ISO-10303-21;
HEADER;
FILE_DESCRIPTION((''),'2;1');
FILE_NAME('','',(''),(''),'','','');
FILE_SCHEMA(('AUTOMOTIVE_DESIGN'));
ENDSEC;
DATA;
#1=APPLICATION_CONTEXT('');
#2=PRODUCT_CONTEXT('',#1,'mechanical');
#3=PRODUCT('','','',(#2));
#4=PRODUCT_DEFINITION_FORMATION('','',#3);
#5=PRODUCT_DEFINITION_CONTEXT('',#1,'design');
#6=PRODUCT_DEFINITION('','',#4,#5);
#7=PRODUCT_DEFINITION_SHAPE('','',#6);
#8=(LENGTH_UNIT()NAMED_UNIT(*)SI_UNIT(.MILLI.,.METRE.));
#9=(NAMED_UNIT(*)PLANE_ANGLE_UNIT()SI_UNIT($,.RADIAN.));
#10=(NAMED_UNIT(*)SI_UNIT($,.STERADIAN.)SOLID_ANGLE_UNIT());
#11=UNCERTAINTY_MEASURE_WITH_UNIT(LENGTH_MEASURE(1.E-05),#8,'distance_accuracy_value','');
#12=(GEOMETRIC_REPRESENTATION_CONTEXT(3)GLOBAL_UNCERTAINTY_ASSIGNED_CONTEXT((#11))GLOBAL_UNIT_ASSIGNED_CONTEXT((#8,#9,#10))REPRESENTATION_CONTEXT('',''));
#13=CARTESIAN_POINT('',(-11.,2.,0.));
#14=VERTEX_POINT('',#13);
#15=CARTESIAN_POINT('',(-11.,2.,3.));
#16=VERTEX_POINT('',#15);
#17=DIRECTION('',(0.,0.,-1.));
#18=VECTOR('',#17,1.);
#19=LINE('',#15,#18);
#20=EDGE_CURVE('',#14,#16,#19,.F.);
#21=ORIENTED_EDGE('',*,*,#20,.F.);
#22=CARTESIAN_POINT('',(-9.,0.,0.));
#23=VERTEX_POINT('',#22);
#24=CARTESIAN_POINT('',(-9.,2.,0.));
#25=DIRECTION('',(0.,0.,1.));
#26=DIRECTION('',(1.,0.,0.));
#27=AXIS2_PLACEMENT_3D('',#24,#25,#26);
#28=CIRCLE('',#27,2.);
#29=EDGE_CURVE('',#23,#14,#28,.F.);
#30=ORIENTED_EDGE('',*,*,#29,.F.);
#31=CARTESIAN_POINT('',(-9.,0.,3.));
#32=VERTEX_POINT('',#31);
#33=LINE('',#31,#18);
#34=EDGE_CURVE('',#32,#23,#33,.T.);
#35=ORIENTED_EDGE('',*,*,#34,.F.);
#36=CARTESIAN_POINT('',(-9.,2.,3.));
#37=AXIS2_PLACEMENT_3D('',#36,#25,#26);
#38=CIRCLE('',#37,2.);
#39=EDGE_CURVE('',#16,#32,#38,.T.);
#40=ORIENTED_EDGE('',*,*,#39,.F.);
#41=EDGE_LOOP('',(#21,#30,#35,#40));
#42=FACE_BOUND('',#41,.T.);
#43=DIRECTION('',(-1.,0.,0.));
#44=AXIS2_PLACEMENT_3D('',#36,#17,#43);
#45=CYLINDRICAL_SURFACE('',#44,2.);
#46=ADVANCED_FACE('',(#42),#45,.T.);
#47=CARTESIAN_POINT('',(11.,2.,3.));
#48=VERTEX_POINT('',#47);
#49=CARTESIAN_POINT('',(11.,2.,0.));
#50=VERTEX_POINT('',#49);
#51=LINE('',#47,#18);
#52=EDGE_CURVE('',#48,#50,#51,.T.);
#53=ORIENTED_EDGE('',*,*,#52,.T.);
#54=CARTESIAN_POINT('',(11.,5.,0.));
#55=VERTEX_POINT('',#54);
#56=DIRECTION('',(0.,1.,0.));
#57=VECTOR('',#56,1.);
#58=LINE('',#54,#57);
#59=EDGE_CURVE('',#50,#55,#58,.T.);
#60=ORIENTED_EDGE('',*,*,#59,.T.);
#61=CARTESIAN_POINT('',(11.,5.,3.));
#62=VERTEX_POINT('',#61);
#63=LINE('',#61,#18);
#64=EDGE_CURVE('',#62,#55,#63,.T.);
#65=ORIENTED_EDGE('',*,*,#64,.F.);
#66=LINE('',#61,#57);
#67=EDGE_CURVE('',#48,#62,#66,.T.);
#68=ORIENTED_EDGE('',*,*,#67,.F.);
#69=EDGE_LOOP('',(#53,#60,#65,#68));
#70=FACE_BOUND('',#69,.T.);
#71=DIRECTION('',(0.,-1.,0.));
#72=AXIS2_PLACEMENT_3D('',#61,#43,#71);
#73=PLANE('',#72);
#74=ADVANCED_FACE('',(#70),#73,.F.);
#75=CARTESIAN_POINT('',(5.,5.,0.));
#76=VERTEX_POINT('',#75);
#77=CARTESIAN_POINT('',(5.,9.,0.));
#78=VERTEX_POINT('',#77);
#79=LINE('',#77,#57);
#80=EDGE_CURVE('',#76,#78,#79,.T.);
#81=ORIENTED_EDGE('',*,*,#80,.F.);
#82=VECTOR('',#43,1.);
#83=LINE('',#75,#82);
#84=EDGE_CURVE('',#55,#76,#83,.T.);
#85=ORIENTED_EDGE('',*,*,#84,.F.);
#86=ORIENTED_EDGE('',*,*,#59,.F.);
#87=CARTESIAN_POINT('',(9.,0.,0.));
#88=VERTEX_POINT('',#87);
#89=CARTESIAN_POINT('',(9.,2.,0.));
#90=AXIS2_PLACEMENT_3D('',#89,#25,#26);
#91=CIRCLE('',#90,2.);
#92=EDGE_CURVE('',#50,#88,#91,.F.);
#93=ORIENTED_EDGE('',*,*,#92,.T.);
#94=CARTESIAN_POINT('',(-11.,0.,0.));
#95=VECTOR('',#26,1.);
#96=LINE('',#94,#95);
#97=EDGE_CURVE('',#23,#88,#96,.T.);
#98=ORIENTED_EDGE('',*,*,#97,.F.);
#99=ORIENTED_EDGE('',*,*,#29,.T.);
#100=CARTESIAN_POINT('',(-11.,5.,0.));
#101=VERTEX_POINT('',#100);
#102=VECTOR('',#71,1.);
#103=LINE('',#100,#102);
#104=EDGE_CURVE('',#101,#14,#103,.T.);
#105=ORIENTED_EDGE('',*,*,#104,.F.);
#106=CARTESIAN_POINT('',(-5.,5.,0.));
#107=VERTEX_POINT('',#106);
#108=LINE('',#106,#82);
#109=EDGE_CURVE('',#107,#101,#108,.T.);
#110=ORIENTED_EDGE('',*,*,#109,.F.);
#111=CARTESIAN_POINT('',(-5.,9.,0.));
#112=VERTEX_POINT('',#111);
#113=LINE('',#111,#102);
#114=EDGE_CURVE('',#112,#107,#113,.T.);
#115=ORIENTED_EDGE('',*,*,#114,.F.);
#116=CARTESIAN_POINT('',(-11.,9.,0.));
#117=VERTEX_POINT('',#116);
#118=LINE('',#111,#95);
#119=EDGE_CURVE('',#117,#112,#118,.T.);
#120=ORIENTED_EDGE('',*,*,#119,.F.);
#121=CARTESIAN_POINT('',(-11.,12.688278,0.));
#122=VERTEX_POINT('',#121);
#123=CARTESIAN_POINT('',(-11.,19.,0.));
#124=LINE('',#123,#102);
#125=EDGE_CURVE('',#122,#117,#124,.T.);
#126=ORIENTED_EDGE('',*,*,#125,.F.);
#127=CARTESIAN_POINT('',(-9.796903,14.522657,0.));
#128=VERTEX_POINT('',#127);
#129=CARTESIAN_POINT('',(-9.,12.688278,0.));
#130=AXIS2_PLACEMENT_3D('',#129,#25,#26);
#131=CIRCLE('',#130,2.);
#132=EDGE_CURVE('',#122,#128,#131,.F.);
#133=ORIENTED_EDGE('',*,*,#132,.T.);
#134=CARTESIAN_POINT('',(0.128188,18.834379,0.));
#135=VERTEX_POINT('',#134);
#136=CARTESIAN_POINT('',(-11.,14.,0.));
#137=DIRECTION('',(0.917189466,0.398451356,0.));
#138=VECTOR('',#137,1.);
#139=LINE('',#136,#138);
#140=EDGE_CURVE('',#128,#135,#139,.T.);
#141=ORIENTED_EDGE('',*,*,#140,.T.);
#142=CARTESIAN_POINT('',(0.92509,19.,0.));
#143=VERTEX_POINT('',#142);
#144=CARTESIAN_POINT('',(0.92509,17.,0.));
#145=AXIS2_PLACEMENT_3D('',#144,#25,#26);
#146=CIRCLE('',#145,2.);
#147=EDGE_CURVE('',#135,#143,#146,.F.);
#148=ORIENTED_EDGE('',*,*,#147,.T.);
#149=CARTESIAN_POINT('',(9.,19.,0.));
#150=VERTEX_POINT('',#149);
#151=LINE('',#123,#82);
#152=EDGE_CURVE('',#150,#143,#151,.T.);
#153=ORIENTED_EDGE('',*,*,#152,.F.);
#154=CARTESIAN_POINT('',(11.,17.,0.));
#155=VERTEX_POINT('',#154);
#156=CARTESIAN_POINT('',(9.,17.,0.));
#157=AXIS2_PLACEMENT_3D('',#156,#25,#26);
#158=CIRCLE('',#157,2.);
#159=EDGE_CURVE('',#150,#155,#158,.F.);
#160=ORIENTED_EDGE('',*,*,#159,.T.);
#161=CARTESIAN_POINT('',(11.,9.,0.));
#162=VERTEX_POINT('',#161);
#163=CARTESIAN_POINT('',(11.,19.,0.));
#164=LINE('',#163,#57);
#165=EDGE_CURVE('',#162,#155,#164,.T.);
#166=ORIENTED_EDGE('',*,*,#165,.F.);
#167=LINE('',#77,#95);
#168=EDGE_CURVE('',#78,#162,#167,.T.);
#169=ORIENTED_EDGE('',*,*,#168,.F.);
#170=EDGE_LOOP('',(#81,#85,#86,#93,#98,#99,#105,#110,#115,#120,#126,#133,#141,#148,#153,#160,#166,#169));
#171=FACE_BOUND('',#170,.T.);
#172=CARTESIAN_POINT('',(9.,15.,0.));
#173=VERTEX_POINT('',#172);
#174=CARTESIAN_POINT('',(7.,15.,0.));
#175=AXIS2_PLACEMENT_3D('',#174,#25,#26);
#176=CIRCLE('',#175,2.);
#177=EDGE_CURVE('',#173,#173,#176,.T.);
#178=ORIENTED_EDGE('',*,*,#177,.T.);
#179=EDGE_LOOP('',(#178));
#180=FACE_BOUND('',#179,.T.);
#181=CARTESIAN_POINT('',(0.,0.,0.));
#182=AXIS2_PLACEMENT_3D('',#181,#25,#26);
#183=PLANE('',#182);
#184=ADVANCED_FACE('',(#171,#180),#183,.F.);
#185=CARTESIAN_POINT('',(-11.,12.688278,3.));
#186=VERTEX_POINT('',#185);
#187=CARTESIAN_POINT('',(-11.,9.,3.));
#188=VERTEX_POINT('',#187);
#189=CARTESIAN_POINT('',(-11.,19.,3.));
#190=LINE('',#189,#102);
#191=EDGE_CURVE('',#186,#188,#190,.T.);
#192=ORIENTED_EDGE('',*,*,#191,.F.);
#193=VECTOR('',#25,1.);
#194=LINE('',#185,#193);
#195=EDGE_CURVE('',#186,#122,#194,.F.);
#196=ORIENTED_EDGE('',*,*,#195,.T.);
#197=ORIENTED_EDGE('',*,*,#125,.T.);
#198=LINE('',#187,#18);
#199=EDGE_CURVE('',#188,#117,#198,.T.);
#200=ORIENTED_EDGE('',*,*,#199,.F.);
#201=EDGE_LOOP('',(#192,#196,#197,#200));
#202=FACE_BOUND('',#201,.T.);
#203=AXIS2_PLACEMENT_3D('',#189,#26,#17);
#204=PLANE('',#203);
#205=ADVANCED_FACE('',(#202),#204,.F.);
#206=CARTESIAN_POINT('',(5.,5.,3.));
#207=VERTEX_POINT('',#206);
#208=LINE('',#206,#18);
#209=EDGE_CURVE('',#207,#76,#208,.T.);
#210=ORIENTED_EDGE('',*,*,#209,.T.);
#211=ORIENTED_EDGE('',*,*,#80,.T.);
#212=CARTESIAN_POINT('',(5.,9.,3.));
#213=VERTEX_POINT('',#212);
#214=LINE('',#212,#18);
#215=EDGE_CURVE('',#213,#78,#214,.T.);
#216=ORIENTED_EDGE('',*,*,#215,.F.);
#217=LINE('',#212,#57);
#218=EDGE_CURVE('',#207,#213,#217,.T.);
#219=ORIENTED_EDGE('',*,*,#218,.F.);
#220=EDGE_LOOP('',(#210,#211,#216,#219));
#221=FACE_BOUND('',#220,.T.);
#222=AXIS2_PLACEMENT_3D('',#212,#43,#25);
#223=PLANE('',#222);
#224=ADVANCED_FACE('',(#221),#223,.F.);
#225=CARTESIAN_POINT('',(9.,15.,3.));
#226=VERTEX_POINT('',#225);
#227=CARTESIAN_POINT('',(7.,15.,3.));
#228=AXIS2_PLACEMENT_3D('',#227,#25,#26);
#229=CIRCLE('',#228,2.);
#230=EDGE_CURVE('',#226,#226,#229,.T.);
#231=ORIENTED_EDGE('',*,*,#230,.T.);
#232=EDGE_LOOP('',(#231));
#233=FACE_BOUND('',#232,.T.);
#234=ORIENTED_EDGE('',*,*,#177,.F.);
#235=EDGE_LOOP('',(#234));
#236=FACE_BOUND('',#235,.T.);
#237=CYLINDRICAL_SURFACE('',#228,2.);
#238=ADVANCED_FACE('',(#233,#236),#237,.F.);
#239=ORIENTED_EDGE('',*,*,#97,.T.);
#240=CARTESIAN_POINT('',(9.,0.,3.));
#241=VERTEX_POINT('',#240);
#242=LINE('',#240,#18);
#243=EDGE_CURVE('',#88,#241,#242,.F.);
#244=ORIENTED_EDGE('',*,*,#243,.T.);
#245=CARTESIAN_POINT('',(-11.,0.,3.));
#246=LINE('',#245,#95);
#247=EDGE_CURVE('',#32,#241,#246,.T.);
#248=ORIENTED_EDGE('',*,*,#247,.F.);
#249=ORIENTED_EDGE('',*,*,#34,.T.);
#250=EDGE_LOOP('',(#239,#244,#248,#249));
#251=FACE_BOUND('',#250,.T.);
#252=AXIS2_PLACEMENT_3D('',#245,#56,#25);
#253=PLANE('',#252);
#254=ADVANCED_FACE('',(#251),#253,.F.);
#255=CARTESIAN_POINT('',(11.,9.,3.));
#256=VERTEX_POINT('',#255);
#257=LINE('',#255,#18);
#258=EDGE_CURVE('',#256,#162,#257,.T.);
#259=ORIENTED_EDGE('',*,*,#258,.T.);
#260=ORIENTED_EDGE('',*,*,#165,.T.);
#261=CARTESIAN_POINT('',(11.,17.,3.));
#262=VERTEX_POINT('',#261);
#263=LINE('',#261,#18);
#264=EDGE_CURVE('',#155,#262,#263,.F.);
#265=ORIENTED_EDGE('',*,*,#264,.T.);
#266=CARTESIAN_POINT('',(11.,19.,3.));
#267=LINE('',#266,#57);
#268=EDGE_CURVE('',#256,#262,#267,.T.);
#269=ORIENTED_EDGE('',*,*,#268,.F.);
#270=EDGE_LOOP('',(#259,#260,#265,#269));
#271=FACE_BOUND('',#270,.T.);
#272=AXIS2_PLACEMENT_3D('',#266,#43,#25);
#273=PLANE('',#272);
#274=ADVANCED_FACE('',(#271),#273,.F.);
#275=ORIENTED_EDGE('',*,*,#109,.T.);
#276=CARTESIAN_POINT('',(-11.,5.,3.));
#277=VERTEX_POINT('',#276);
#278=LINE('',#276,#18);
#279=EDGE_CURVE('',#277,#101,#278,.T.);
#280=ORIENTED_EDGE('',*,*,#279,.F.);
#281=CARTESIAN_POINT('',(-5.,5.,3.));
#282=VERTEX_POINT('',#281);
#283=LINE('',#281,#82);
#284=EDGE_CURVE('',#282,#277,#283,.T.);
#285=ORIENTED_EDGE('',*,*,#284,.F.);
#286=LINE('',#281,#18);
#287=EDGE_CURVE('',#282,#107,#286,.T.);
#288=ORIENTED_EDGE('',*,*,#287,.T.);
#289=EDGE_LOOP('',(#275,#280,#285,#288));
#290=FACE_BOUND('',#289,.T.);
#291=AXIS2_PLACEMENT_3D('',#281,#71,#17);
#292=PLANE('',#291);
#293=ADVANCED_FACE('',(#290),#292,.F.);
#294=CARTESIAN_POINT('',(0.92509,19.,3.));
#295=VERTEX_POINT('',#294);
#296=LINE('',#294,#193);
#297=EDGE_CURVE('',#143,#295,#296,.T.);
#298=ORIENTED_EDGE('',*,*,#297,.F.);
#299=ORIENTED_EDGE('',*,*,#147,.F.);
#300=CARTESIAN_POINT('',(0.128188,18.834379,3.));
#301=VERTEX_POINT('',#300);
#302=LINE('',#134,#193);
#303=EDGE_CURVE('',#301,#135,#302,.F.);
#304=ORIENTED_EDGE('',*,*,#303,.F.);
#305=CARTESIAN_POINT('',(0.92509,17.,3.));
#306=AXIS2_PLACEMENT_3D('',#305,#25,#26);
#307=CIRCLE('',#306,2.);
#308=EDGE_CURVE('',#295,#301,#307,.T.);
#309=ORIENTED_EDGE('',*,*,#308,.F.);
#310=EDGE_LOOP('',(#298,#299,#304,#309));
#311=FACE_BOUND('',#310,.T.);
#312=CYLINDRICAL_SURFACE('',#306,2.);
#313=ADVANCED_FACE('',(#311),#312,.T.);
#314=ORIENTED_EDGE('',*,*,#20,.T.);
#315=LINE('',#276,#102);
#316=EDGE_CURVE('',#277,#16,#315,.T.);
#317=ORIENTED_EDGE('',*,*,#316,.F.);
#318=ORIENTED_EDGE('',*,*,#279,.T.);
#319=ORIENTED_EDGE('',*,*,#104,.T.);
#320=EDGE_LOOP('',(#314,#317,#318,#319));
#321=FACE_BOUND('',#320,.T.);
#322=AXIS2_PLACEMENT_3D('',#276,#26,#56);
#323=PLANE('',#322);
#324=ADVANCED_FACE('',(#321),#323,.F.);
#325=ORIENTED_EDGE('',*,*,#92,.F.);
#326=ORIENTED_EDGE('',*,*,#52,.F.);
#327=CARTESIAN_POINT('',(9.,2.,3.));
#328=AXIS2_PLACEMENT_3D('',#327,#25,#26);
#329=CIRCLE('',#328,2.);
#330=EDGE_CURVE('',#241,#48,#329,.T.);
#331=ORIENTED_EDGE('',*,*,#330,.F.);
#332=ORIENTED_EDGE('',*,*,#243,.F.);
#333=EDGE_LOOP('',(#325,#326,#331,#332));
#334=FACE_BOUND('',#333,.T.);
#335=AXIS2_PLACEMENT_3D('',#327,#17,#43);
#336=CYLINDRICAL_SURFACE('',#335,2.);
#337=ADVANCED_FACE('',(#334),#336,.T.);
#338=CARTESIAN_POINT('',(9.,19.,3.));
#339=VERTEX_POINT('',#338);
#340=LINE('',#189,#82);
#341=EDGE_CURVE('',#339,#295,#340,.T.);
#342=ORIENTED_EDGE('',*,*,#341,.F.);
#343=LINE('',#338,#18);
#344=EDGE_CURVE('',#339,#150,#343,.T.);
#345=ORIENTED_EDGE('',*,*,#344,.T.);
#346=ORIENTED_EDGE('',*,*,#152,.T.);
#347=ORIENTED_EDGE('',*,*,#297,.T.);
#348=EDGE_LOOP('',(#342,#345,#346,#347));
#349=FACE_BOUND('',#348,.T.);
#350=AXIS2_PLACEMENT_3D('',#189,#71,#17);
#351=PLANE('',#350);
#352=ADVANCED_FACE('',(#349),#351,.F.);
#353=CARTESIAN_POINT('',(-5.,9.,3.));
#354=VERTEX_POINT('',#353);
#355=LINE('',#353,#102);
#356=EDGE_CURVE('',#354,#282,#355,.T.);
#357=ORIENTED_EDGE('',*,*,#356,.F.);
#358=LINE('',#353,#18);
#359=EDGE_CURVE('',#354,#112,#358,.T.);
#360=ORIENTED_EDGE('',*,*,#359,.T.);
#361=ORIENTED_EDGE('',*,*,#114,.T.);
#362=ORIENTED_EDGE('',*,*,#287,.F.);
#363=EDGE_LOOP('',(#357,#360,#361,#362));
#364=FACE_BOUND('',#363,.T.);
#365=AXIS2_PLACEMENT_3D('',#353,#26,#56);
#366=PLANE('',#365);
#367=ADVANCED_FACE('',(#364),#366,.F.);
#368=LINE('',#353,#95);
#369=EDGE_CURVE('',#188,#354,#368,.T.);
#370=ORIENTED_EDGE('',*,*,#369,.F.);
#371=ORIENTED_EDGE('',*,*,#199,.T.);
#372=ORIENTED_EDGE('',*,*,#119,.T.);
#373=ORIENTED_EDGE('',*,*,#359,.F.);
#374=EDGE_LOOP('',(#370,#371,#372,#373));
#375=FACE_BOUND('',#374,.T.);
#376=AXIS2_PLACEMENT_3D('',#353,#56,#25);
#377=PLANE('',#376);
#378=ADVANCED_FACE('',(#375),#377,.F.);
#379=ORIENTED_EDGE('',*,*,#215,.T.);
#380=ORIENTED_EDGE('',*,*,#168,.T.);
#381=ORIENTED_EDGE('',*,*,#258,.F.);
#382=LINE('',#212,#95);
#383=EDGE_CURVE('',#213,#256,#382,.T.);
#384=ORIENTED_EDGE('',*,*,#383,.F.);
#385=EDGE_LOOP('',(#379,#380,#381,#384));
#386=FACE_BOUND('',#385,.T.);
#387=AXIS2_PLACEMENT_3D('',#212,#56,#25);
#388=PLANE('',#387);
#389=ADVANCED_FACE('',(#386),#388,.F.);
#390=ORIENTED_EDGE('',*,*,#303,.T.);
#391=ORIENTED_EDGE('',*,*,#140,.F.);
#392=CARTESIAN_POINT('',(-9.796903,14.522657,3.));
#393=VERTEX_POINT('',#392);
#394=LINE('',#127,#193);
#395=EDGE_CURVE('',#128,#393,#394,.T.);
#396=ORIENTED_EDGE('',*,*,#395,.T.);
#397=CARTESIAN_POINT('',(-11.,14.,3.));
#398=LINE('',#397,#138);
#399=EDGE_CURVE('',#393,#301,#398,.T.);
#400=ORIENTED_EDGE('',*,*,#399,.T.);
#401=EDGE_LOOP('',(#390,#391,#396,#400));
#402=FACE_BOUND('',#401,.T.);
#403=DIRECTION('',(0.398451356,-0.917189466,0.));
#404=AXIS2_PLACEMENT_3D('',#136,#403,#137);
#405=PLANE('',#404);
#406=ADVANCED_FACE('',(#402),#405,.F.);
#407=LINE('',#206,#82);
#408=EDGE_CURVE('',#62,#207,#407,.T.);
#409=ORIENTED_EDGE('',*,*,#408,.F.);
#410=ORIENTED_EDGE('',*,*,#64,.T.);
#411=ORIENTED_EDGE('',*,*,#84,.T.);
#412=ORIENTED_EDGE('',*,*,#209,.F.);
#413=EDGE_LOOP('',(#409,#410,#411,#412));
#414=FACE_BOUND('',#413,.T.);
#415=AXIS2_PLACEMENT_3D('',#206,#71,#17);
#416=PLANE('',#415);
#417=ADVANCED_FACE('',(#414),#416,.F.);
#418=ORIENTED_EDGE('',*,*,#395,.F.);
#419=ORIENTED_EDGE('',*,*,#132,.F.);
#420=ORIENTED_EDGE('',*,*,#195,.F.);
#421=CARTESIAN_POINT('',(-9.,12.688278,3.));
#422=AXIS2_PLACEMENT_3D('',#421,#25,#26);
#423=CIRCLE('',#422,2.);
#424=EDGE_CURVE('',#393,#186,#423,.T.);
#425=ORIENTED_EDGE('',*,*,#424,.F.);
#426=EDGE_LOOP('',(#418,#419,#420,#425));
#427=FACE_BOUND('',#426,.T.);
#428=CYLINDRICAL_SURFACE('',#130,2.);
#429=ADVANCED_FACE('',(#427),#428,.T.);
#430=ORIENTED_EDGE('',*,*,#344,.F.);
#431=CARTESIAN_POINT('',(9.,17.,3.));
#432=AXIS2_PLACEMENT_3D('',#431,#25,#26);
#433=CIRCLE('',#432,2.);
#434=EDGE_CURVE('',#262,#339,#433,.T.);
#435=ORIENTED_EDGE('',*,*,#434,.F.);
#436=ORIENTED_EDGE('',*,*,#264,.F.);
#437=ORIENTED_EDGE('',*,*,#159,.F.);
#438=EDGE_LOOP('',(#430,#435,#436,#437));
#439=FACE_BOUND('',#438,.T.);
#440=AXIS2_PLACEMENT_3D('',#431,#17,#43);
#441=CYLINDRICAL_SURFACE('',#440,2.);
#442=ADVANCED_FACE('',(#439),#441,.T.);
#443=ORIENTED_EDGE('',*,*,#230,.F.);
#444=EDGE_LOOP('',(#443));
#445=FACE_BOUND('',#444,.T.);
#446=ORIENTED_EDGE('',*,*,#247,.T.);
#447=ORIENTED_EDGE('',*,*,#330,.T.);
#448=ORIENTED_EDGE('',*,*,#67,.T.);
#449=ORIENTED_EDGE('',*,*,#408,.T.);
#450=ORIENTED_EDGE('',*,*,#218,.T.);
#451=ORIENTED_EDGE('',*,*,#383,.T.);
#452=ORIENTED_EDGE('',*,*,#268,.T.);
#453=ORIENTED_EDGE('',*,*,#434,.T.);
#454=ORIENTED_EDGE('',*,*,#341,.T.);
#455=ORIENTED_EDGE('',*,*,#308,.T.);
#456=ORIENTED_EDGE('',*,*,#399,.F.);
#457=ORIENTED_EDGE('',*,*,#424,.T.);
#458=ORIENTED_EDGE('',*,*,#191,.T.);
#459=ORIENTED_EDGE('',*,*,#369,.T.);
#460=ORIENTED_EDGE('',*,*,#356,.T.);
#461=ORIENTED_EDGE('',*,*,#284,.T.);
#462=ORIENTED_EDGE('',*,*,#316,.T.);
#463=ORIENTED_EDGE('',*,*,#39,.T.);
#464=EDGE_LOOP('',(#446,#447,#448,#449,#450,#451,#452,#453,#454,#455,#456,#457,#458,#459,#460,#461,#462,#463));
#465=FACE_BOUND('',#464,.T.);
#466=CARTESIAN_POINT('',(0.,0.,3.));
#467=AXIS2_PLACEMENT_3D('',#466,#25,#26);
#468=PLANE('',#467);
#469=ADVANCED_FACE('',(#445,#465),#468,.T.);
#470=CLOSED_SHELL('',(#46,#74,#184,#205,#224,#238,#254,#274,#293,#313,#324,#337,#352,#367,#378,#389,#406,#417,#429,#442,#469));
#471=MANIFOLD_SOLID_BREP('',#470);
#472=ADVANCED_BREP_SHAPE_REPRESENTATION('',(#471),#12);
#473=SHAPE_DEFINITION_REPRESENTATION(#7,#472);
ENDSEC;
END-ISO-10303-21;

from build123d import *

# Parameters (mm, degrees)
AUFSATZ_LINEAR_AUSTRAGEN1_DEPTH = 3
F_4_0_4_DURCHMESSER_BOHRUNG1_D  = 4
SCHNITT_LINEAR_AUSTRAGEN1_DEPTH = 3
VERRUNDUNG2_R                   = 2


with BuildPart() as part:
    # Skizze1 → Aufsatz-Linear austragen1 (new body)
    with BuildSketch(Plane.XY):
        Polygon((-11, 5), (-11, 0), (11, 0), (11, 5), (5, 5), (5, 9), (11, 9), (11, 19), (-11, 19), (-11, 9), (-5, 9), (-5, 5), align=None)
    extrude(amount=AUFSATZ_LINEAR_AUSTRAGEN1_DEPTH)

    # Ø4.0 (4) Durchmesser Bohrung1 (through all)
    with Locations(Plane.XY.offset(3)):
        with Locations((7, 15)):
            Hole(F_4_0_4_DURCHMESSER_BOHRUNG1_D / 2)

    # Skizze4 → Schnitt-Linear austragen1 (cut)
    with BuildSketch(Plane.XY.offset(3)):
        Polygon((-11, 14), (0.509428342, 19), (-11, 19), align=None)
    extrude(amount=-SCHNITT_LINEAR_AUSTRAGEN1_DEPTH, mode=Mode.SUBTRACT)

    # Verrundung2
    verrundung2_edges = [part.edges().sort_by_distance(p)[0] for p in [
        (11, 19, 1.5),
        (11, 0, 1.5),
        (-11, 0, 1.5),
        (-11, 14, 1.5),
        (0.509428342, 19, 1.5),
    ]]
    fillet(verrundung2_edges, radius=VERRUNDUNG2_R)


solid = part.part
